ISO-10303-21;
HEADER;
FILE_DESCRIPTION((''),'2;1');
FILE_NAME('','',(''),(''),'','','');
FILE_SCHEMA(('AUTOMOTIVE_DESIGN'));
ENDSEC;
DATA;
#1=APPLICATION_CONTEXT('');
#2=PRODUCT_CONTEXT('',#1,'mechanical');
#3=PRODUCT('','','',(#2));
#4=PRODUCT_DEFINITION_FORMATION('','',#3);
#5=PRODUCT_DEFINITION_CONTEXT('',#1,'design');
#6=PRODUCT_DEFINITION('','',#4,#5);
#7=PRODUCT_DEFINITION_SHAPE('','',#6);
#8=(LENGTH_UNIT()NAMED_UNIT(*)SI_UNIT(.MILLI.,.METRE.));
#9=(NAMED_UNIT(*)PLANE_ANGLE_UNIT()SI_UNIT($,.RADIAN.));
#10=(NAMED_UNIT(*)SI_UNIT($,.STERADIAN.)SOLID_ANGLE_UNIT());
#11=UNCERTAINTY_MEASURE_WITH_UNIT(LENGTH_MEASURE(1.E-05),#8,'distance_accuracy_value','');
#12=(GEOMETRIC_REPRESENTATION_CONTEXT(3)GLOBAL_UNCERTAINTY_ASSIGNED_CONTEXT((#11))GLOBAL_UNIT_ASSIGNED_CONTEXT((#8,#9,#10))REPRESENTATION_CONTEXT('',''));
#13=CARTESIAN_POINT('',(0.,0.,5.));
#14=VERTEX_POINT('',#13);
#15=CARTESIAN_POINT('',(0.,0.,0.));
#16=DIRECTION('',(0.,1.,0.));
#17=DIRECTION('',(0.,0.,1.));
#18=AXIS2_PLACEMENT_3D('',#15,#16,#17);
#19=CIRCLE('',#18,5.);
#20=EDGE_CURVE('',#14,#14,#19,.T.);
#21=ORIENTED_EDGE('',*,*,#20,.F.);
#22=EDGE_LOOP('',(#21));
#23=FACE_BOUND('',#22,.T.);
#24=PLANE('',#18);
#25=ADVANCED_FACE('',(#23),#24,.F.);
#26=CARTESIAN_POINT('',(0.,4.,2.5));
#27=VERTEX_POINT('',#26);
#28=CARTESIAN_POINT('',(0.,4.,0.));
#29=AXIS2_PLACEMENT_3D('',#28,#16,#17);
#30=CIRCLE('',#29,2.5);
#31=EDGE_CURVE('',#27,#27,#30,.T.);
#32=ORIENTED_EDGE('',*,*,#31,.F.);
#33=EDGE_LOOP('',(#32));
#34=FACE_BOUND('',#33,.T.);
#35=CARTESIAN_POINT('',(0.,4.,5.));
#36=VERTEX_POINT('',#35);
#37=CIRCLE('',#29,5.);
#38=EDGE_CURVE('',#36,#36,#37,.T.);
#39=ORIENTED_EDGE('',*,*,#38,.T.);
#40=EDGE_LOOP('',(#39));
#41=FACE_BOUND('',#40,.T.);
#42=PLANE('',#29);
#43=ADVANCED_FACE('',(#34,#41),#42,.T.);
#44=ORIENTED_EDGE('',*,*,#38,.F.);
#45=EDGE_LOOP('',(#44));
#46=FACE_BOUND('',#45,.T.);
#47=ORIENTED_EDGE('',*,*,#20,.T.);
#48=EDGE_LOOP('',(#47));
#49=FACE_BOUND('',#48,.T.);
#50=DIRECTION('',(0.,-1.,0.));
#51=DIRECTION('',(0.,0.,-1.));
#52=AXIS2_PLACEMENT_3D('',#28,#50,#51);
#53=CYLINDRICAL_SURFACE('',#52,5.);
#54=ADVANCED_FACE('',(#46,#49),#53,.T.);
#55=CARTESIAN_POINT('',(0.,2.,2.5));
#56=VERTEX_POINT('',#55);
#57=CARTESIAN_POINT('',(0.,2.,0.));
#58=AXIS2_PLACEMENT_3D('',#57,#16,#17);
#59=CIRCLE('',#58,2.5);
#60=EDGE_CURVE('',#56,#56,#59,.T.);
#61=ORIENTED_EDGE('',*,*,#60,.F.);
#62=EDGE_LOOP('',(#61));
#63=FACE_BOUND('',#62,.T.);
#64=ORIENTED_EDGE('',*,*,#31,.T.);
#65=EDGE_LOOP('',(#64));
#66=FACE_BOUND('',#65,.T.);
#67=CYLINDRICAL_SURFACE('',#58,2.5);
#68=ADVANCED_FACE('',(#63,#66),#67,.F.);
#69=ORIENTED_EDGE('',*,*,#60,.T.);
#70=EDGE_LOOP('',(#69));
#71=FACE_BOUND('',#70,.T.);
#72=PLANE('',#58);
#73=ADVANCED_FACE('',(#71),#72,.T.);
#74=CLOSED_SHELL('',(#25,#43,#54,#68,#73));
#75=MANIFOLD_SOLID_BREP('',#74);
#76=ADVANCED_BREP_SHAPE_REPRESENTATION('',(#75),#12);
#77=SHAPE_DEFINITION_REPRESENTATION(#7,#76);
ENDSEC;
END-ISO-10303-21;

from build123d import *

# Parameters (mm, degrees)
SKETCH1_R           = 5
BOSS_EXTRUDE1_DEPTH = 4
SKETCH2_R           = 2.5
CUT_EXTRUDE1_DEPTH  = 2


with BuildPart() as part:
    # Sketch1 → Boss-Extrude1 (new body)
    with BuildSketch(Plane(origin=(0, 0, 0), x_dir=(1, 0, 0), z_dir=(0, 1, 0))):
        Circle(SKETCH1_R)
    extrude(amount=BOSS_EXTRUDE1_DEPTH)

    # Sketch2 → Cut-Extrude1 (cut)
    with BuildSketch(Plane(origin=(0, 4, 0), x_dir=(1, 0, 0), z_dir=(0, 1, 0))):
        Circle(SKETCH2_R)
    extrude(amount=-CUT_EXTRUDE1_DEPTH, mode=Mode.SUBTRACT)


solid = part.part
